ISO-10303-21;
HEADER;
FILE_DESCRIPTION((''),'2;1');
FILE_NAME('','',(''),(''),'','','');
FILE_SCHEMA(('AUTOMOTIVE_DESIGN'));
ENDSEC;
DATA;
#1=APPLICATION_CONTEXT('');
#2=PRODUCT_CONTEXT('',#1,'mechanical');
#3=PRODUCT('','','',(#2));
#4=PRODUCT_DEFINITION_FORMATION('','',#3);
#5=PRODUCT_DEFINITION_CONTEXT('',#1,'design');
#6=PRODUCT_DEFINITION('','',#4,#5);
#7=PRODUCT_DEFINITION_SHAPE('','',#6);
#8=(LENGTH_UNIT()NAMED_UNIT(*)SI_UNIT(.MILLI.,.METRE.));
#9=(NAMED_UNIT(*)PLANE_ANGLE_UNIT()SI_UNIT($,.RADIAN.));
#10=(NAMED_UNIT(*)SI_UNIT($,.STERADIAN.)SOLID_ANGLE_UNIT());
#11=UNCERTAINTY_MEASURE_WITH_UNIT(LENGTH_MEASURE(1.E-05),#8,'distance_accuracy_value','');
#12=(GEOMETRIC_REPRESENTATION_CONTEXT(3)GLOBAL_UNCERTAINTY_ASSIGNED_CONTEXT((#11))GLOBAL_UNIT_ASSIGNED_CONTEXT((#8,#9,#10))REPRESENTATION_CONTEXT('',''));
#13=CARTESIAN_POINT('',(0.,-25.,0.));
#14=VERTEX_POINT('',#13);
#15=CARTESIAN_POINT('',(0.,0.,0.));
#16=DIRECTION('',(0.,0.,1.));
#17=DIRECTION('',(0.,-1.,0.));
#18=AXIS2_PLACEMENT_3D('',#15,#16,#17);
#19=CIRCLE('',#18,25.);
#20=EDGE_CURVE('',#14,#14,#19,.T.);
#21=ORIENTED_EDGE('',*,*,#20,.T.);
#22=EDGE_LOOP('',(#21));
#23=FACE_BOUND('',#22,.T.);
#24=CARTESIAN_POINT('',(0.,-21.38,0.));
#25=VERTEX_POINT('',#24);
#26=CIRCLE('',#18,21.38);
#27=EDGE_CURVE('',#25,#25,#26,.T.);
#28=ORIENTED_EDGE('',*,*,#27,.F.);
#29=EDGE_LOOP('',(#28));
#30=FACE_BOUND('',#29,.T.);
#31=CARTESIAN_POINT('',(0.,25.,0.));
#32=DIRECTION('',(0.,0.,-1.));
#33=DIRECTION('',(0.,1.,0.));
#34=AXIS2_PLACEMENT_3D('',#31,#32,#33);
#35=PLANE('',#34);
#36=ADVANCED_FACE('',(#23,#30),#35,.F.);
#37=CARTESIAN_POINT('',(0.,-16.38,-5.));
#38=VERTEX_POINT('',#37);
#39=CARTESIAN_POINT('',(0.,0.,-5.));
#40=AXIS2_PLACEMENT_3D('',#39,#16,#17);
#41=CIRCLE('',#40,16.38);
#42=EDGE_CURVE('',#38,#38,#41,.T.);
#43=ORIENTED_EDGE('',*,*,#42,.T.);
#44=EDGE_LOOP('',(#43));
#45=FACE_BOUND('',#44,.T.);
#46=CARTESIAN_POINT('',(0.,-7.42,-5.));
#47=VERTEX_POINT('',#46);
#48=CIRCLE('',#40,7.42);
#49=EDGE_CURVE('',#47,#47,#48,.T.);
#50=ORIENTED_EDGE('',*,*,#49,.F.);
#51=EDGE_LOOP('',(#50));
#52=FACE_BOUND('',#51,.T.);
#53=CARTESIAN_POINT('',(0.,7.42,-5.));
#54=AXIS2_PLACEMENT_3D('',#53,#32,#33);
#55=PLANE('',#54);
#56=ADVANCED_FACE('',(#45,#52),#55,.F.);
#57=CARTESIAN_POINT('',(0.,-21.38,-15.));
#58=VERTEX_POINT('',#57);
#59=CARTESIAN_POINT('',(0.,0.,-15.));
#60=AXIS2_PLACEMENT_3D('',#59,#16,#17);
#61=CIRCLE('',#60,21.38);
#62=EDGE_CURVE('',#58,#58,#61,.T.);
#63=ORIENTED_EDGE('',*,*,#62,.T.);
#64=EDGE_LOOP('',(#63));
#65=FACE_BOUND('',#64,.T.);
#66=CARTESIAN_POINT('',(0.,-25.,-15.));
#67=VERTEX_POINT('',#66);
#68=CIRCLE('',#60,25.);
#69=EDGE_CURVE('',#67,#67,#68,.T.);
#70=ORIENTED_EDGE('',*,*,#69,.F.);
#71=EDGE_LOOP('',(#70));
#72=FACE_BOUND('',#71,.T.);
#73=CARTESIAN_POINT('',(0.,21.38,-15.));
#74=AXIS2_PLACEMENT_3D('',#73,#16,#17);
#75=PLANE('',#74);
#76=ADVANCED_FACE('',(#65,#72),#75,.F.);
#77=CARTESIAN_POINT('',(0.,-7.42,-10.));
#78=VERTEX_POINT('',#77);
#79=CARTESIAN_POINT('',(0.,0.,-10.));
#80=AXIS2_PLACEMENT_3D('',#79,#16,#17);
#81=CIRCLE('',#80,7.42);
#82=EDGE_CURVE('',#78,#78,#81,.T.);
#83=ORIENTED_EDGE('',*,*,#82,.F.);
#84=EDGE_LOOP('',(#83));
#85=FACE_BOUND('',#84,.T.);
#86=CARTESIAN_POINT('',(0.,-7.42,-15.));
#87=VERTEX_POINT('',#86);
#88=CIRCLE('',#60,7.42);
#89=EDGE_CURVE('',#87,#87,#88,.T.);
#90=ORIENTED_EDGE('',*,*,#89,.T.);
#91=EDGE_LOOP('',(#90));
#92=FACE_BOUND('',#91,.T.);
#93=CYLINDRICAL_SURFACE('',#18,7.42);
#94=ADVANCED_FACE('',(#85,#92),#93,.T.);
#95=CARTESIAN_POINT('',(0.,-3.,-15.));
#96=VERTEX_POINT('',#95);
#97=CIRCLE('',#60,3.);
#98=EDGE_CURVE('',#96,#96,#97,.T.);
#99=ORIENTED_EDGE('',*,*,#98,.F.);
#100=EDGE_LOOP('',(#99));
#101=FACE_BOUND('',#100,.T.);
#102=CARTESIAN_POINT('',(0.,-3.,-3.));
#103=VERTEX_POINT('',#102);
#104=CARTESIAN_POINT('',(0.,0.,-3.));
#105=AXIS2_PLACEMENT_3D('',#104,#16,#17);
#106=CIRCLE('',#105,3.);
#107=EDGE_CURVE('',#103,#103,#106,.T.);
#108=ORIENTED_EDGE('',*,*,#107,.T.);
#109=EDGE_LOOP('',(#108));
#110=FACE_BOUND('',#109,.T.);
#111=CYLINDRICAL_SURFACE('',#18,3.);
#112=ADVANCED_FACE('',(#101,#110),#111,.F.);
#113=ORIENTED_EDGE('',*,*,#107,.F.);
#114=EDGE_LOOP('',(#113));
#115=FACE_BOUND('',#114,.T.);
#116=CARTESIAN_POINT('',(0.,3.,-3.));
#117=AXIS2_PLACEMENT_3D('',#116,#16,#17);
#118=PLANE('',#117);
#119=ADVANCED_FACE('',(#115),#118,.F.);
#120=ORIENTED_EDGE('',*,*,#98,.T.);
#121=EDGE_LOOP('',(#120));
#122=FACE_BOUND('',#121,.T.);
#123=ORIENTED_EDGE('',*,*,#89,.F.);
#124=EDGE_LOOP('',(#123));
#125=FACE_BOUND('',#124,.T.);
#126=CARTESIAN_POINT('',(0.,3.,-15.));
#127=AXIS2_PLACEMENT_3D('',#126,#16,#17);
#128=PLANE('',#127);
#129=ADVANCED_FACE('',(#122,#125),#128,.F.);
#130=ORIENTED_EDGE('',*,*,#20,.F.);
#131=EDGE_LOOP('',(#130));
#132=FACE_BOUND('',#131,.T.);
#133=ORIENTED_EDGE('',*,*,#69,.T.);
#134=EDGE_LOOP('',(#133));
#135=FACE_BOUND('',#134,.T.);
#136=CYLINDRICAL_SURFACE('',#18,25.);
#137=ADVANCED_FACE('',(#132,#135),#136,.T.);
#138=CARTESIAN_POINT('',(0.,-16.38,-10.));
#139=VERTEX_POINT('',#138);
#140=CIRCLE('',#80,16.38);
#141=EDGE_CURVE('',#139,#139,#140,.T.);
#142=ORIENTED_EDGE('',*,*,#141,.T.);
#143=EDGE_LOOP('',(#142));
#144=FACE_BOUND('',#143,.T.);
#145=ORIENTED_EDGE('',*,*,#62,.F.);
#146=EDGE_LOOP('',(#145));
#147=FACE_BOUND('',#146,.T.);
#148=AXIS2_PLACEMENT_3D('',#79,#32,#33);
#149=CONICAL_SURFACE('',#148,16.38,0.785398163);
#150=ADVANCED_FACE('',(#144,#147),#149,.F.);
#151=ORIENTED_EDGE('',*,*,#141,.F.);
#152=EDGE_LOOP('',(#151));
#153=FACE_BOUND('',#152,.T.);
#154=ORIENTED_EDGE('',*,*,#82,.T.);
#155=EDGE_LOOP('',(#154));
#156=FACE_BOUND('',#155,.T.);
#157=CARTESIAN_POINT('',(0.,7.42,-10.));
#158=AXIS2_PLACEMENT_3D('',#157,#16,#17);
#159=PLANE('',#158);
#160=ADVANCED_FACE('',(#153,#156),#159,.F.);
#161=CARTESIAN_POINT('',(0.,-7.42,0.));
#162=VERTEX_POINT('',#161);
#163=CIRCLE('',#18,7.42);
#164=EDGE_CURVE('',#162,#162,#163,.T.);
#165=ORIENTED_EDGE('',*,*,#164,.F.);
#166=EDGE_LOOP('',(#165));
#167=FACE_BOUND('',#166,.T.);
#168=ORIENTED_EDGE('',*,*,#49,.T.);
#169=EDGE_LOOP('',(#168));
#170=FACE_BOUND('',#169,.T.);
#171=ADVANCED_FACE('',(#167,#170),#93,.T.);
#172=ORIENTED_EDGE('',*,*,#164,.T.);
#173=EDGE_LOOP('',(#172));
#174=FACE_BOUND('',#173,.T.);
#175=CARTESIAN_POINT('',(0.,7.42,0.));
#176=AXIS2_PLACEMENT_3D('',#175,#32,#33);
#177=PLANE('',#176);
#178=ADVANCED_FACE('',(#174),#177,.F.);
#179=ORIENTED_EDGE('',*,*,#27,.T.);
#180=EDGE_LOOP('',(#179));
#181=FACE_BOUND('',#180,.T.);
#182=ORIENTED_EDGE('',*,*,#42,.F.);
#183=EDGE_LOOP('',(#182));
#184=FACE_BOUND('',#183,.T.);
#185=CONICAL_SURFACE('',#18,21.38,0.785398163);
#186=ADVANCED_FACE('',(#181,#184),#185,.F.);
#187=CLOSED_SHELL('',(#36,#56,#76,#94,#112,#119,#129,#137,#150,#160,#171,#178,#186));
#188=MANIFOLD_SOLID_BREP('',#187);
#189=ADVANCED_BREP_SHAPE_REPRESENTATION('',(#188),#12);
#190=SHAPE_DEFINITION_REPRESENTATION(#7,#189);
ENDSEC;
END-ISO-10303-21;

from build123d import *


with BuildPart() as part:
    # Sketch2 → Revolve1 (revolve)
    with BuildSketch(Plane(origin=(0, 0, 0), x_dir=(0, 0, -1), z_dir=(1, 0, 0)), mode=Mode.PRIVATE) as revolve1_sk:
        Polygon((0, 0), (3, 0), (3, 3), (15, 3), (15, 7.42), (10, 7.42), (10, 16.38), (15, 21.38), (15, 25), (0, 25), (0, 21.38), (5, 16.38), (5, 7.42), (0, 7.42), align=None)
    revolve(revolve1_sk.sketch.rotate(Axis((0, 0, 0), (0, 0, -1)), 180), axis=Axis((0, 0, 0), (0, 0, -1)))


solid = part.part
